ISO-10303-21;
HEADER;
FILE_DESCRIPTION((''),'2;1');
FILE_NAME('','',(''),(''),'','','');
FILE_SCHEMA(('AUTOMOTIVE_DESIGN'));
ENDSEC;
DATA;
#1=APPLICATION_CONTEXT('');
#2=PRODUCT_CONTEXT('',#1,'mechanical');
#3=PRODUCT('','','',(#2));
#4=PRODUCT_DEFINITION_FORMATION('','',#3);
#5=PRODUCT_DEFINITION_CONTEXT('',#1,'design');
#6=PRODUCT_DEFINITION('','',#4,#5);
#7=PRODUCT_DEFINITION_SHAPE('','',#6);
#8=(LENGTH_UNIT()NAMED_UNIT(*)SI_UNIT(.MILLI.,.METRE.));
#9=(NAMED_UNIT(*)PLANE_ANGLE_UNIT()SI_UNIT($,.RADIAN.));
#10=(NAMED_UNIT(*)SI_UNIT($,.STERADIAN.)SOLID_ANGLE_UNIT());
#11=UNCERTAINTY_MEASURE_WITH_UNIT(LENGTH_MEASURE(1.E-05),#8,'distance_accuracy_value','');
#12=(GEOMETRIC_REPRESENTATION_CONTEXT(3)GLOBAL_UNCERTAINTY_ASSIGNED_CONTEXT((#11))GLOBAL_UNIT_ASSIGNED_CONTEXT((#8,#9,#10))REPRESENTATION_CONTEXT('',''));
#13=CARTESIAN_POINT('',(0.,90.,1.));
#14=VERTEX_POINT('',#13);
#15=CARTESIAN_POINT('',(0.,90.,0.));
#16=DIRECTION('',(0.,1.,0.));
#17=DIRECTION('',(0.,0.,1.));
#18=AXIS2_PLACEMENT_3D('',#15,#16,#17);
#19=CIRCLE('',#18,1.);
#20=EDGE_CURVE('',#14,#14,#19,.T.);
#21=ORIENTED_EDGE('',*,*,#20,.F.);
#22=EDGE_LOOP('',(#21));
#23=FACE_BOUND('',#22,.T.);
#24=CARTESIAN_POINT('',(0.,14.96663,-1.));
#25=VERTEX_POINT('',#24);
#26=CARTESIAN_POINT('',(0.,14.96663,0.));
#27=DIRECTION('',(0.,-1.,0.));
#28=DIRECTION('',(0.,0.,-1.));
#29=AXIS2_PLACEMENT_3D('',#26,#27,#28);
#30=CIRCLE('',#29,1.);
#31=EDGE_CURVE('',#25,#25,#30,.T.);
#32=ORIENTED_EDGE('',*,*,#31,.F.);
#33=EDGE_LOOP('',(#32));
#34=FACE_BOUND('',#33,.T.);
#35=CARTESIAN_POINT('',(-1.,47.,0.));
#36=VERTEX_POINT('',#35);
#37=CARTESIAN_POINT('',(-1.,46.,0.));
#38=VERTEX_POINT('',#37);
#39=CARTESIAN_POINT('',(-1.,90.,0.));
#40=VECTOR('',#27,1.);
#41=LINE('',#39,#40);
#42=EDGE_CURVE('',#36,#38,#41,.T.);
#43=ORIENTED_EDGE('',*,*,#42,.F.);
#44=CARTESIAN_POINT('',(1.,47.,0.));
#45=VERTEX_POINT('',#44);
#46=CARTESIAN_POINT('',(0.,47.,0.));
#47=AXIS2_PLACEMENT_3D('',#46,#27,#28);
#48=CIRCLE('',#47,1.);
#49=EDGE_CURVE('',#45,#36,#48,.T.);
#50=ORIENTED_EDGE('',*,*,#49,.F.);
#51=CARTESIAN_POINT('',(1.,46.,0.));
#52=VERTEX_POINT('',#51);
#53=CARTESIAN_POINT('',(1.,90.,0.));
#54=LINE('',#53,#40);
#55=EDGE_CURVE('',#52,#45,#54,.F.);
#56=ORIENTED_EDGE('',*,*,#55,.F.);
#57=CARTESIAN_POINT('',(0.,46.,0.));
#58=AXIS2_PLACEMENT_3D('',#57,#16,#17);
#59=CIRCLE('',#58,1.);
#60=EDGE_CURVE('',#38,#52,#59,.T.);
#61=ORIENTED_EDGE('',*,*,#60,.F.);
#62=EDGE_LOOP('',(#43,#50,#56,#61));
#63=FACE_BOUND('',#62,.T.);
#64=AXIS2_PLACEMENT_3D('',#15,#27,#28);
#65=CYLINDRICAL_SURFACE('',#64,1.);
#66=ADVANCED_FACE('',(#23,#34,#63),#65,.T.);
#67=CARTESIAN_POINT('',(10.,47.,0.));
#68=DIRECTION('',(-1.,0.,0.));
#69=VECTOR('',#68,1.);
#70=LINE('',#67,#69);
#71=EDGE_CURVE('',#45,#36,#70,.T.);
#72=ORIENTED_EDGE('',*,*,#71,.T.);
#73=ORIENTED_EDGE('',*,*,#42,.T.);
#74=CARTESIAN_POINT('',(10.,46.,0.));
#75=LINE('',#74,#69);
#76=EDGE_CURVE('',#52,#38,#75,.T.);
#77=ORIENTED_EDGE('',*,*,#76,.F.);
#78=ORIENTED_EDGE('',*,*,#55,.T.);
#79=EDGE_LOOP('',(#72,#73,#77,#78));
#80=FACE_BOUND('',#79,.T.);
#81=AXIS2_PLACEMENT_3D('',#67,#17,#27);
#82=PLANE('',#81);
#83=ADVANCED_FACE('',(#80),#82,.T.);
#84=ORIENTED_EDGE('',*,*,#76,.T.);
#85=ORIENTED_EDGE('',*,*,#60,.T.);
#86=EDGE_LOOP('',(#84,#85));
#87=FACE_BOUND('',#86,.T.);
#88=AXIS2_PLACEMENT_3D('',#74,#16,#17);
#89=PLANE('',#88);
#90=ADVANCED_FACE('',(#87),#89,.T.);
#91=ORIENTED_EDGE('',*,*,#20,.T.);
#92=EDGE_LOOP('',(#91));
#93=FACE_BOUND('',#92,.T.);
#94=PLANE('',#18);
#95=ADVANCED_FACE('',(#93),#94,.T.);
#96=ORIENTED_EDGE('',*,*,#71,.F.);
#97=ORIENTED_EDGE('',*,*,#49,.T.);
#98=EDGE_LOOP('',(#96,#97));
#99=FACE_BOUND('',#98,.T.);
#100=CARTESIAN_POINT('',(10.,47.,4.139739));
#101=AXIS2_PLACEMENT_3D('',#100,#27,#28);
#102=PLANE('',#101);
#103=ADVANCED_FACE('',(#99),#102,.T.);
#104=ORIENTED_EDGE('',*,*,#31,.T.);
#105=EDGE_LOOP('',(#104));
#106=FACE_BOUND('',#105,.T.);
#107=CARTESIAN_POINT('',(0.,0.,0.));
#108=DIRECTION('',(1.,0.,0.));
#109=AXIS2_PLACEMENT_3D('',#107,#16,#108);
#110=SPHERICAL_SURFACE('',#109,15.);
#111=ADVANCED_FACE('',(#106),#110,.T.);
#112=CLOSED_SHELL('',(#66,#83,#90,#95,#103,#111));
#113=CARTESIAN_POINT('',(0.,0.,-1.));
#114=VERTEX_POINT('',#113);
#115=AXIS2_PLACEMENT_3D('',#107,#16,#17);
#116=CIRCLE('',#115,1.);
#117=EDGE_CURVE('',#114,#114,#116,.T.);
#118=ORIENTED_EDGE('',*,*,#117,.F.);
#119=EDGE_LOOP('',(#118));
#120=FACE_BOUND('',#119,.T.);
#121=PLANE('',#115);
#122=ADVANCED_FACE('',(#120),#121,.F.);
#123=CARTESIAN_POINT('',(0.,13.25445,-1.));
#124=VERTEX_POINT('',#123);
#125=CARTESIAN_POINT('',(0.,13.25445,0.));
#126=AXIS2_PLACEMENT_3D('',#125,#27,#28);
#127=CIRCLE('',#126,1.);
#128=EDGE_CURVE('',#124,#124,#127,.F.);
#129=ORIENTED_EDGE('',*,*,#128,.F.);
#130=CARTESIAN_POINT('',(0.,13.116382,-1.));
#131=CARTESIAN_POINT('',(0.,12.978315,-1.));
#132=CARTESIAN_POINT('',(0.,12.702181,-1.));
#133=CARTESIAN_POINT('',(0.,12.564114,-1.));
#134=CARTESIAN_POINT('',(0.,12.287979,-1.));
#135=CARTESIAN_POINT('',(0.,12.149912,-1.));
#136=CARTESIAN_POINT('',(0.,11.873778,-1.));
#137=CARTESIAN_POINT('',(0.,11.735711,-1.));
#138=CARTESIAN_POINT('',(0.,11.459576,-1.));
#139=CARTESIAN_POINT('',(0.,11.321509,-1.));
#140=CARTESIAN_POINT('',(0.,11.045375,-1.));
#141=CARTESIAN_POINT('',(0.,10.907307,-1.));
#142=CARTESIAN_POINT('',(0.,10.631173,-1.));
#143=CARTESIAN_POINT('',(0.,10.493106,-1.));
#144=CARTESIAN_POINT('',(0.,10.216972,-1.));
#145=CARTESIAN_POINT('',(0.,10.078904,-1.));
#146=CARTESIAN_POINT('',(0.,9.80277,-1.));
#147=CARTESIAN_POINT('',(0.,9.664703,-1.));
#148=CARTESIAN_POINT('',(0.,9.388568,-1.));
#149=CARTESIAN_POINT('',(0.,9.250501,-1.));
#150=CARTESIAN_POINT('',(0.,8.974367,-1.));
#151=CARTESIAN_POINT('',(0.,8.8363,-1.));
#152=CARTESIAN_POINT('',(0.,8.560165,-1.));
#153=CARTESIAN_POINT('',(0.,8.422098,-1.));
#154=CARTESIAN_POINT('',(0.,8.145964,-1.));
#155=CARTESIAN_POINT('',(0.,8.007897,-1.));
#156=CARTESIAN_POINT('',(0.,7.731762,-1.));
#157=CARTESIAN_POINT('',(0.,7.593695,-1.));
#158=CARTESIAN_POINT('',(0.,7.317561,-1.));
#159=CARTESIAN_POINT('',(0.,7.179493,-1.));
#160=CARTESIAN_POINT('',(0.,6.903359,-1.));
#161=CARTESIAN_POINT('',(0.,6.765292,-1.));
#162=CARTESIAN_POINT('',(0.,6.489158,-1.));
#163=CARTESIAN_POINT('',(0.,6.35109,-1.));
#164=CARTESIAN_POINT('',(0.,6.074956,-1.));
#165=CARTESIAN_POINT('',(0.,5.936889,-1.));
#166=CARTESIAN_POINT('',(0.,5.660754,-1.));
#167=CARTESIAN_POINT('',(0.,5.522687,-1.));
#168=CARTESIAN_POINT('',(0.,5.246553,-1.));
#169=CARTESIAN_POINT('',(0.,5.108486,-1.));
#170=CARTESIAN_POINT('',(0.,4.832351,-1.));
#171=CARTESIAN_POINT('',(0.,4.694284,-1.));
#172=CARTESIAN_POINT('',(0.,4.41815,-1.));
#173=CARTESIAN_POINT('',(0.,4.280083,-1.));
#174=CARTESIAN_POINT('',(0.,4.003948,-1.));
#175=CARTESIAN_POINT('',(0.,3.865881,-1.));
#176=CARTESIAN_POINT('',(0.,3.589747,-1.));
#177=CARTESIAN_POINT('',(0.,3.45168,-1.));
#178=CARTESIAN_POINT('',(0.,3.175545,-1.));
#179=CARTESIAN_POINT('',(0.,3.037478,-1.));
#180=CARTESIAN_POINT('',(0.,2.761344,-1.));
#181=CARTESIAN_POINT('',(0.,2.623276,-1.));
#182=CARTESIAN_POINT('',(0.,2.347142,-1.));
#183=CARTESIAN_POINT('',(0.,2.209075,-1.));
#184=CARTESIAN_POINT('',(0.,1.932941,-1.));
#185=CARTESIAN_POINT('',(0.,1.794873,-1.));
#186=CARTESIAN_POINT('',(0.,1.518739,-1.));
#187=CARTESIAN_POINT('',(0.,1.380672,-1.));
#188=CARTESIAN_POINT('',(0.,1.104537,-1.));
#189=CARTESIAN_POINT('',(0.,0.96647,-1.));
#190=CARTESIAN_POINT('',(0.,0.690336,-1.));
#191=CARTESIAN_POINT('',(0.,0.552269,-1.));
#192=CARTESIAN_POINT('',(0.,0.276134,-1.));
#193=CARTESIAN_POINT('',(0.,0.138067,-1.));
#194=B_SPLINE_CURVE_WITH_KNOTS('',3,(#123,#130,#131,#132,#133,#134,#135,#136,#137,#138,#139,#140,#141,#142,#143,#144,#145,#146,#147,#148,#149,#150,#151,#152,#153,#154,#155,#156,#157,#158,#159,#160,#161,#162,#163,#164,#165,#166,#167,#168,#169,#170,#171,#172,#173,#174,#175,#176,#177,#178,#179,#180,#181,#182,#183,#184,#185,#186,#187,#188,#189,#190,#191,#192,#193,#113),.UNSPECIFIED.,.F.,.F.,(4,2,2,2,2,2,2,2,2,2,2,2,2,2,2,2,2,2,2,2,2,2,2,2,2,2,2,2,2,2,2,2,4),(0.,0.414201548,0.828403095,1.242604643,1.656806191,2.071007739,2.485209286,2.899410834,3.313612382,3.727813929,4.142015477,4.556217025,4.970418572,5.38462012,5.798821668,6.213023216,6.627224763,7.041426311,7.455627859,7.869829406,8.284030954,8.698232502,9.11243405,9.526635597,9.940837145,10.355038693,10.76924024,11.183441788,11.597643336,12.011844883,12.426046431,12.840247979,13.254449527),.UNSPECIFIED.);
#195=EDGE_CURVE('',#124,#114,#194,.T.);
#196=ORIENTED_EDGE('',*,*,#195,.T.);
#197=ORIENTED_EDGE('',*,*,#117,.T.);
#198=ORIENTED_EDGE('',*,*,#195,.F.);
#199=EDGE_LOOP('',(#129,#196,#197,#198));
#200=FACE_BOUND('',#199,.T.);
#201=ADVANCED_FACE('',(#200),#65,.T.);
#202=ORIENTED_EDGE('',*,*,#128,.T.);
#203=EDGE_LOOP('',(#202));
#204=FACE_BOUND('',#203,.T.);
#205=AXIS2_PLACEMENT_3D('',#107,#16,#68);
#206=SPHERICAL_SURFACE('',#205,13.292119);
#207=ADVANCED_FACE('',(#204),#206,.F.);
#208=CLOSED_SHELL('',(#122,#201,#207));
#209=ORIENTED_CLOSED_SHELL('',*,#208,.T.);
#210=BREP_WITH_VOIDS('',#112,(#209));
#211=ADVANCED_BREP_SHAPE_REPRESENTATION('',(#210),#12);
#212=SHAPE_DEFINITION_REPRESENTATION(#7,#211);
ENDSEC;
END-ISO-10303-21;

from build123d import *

# Parameters (mm, degrees)
CROQUIS3_R                 = 1
SALIENTE_EXTRUIR1_DEPTH    = 90
CORTAR_EXTRUIR1_DEPTH      = 10
CORTAR_EXTRUIR1_DEPTH_BACK = 10
CROQUIS4_W                 = 4.139739446
CROQUIS4_H                 = 1


with BuildPart() as part:
    # Croquis2 → Revolución1 (revolve)
    with BuildSketch(Plane.XY):
        with BuildLine():
            Line((0, 15), (0, 13.292119178))
            ThreePointArc((0, 13.292119178), (-13.292119178, 0), (0, -13.292119178))
            Line((0, -13.292119178), (0, -15))
            ThreePointArc((0, -15), (-15, 0), (0, 15))
        make_face()
    revolve(axis=Axis((0, 15, 0), (0, -1, 0)))

    # Croquis3 → Saliente-Extruir1 (add)
    with BuildSketch(Plane(origin=(0, 0, 0), x_dir=(1, 0, 0), z_dir=(0, 1, 0))):
        Circle(CROQUIS3_R)
    extrude(amount=SALIENTE_EXTRUIR1_DEPTH)

    # Croquis4 → Cortar-Extruir1 (cut, two sides: drawn at the far end of the back side and taken through both)
    with BuildSketch(Plane(origin=(0, 0, 0), x_dir=(0, 0, -1), z_dir=(1, 0, 0)).offset(-CORTAR_EXTRUIR1_DEPTH_BACK)):
        with Locations((-2.069869723, 46.5)):
            Rectangle(CROQUIS4_W, CROQUIS4_H)
    extrude(amount=CORTAR_EXTRUIR1_DEPTH + CORTAR_EXTRUIR1_DEPTH_BACK, mode=Mode.SUBTRACT)


solid = part.part
